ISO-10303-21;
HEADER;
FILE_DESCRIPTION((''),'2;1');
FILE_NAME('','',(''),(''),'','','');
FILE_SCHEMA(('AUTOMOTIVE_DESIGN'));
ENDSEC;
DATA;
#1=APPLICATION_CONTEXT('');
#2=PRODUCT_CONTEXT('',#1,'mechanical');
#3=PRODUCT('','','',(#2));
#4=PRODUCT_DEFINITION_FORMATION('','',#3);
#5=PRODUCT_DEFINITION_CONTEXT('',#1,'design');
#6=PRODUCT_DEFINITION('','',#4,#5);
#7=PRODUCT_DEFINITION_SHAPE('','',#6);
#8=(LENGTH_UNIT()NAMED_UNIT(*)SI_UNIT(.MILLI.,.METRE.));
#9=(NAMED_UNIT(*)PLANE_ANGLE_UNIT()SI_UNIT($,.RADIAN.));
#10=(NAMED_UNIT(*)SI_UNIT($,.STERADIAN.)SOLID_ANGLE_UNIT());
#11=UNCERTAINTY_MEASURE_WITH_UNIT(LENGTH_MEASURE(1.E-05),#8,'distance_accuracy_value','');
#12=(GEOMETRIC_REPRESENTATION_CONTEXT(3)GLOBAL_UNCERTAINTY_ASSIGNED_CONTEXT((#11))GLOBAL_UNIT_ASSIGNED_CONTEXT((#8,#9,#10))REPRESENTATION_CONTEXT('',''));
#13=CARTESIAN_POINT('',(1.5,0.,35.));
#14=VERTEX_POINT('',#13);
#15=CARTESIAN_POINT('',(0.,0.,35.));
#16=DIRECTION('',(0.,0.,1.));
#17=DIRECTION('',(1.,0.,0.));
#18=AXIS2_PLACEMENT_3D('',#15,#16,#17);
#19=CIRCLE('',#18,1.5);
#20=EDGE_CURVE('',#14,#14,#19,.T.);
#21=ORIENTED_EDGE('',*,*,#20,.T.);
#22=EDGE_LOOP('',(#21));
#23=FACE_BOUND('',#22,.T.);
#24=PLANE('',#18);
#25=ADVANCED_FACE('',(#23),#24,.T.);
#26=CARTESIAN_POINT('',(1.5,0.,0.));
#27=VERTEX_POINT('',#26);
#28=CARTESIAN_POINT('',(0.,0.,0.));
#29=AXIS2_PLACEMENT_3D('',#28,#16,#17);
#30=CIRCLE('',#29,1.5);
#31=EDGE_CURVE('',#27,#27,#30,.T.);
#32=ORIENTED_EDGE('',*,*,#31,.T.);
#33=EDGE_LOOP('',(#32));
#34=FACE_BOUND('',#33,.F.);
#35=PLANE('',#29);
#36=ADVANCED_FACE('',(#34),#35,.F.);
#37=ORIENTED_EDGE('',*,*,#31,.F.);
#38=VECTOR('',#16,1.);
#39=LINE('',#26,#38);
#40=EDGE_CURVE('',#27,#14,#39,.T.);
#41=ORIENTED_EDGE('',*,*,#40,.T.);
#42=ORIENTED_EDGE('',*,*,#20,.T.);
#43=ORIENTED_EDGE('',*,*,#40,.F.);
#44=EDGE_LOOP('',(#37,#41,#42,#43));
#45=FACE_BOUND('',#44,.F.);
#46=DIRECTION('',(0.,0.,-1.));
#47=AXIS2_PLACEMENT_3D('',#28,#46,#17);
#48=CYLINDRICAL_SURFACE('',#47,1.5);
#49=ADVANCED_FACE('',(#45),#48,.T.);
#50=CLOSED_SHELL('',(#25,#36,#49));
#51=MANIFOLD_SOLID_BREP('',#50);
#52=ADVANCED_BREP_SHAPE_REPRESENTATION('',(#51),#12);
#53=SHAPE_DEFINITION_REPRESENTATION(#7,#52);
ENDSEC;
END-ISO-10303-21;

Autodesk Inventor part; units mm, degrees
ref_plane "YZ Plane" through (0, 0, 0) normal (1, 0, 0) x (0, 1, 0)
ref_plane "XZ Plane" through (0, 0, 0) normal (0, 1, 0) x (-1, 0, 0)
ref_plane "XY Plane" through (0, 0, 0) normal (0, 0, 1) x (1, 0, 0)
sketch "Sketch1" plane through (0, 0, 0) normal (0, 0, 1) x (1, 0, 0)
  circle A0 centre (0, 0) radius 1.5
  dimension "d0" = 3
extrude "Extrusion1" add sketch "Sketch1" along normal blind 35
properties part number "inner_rods"
